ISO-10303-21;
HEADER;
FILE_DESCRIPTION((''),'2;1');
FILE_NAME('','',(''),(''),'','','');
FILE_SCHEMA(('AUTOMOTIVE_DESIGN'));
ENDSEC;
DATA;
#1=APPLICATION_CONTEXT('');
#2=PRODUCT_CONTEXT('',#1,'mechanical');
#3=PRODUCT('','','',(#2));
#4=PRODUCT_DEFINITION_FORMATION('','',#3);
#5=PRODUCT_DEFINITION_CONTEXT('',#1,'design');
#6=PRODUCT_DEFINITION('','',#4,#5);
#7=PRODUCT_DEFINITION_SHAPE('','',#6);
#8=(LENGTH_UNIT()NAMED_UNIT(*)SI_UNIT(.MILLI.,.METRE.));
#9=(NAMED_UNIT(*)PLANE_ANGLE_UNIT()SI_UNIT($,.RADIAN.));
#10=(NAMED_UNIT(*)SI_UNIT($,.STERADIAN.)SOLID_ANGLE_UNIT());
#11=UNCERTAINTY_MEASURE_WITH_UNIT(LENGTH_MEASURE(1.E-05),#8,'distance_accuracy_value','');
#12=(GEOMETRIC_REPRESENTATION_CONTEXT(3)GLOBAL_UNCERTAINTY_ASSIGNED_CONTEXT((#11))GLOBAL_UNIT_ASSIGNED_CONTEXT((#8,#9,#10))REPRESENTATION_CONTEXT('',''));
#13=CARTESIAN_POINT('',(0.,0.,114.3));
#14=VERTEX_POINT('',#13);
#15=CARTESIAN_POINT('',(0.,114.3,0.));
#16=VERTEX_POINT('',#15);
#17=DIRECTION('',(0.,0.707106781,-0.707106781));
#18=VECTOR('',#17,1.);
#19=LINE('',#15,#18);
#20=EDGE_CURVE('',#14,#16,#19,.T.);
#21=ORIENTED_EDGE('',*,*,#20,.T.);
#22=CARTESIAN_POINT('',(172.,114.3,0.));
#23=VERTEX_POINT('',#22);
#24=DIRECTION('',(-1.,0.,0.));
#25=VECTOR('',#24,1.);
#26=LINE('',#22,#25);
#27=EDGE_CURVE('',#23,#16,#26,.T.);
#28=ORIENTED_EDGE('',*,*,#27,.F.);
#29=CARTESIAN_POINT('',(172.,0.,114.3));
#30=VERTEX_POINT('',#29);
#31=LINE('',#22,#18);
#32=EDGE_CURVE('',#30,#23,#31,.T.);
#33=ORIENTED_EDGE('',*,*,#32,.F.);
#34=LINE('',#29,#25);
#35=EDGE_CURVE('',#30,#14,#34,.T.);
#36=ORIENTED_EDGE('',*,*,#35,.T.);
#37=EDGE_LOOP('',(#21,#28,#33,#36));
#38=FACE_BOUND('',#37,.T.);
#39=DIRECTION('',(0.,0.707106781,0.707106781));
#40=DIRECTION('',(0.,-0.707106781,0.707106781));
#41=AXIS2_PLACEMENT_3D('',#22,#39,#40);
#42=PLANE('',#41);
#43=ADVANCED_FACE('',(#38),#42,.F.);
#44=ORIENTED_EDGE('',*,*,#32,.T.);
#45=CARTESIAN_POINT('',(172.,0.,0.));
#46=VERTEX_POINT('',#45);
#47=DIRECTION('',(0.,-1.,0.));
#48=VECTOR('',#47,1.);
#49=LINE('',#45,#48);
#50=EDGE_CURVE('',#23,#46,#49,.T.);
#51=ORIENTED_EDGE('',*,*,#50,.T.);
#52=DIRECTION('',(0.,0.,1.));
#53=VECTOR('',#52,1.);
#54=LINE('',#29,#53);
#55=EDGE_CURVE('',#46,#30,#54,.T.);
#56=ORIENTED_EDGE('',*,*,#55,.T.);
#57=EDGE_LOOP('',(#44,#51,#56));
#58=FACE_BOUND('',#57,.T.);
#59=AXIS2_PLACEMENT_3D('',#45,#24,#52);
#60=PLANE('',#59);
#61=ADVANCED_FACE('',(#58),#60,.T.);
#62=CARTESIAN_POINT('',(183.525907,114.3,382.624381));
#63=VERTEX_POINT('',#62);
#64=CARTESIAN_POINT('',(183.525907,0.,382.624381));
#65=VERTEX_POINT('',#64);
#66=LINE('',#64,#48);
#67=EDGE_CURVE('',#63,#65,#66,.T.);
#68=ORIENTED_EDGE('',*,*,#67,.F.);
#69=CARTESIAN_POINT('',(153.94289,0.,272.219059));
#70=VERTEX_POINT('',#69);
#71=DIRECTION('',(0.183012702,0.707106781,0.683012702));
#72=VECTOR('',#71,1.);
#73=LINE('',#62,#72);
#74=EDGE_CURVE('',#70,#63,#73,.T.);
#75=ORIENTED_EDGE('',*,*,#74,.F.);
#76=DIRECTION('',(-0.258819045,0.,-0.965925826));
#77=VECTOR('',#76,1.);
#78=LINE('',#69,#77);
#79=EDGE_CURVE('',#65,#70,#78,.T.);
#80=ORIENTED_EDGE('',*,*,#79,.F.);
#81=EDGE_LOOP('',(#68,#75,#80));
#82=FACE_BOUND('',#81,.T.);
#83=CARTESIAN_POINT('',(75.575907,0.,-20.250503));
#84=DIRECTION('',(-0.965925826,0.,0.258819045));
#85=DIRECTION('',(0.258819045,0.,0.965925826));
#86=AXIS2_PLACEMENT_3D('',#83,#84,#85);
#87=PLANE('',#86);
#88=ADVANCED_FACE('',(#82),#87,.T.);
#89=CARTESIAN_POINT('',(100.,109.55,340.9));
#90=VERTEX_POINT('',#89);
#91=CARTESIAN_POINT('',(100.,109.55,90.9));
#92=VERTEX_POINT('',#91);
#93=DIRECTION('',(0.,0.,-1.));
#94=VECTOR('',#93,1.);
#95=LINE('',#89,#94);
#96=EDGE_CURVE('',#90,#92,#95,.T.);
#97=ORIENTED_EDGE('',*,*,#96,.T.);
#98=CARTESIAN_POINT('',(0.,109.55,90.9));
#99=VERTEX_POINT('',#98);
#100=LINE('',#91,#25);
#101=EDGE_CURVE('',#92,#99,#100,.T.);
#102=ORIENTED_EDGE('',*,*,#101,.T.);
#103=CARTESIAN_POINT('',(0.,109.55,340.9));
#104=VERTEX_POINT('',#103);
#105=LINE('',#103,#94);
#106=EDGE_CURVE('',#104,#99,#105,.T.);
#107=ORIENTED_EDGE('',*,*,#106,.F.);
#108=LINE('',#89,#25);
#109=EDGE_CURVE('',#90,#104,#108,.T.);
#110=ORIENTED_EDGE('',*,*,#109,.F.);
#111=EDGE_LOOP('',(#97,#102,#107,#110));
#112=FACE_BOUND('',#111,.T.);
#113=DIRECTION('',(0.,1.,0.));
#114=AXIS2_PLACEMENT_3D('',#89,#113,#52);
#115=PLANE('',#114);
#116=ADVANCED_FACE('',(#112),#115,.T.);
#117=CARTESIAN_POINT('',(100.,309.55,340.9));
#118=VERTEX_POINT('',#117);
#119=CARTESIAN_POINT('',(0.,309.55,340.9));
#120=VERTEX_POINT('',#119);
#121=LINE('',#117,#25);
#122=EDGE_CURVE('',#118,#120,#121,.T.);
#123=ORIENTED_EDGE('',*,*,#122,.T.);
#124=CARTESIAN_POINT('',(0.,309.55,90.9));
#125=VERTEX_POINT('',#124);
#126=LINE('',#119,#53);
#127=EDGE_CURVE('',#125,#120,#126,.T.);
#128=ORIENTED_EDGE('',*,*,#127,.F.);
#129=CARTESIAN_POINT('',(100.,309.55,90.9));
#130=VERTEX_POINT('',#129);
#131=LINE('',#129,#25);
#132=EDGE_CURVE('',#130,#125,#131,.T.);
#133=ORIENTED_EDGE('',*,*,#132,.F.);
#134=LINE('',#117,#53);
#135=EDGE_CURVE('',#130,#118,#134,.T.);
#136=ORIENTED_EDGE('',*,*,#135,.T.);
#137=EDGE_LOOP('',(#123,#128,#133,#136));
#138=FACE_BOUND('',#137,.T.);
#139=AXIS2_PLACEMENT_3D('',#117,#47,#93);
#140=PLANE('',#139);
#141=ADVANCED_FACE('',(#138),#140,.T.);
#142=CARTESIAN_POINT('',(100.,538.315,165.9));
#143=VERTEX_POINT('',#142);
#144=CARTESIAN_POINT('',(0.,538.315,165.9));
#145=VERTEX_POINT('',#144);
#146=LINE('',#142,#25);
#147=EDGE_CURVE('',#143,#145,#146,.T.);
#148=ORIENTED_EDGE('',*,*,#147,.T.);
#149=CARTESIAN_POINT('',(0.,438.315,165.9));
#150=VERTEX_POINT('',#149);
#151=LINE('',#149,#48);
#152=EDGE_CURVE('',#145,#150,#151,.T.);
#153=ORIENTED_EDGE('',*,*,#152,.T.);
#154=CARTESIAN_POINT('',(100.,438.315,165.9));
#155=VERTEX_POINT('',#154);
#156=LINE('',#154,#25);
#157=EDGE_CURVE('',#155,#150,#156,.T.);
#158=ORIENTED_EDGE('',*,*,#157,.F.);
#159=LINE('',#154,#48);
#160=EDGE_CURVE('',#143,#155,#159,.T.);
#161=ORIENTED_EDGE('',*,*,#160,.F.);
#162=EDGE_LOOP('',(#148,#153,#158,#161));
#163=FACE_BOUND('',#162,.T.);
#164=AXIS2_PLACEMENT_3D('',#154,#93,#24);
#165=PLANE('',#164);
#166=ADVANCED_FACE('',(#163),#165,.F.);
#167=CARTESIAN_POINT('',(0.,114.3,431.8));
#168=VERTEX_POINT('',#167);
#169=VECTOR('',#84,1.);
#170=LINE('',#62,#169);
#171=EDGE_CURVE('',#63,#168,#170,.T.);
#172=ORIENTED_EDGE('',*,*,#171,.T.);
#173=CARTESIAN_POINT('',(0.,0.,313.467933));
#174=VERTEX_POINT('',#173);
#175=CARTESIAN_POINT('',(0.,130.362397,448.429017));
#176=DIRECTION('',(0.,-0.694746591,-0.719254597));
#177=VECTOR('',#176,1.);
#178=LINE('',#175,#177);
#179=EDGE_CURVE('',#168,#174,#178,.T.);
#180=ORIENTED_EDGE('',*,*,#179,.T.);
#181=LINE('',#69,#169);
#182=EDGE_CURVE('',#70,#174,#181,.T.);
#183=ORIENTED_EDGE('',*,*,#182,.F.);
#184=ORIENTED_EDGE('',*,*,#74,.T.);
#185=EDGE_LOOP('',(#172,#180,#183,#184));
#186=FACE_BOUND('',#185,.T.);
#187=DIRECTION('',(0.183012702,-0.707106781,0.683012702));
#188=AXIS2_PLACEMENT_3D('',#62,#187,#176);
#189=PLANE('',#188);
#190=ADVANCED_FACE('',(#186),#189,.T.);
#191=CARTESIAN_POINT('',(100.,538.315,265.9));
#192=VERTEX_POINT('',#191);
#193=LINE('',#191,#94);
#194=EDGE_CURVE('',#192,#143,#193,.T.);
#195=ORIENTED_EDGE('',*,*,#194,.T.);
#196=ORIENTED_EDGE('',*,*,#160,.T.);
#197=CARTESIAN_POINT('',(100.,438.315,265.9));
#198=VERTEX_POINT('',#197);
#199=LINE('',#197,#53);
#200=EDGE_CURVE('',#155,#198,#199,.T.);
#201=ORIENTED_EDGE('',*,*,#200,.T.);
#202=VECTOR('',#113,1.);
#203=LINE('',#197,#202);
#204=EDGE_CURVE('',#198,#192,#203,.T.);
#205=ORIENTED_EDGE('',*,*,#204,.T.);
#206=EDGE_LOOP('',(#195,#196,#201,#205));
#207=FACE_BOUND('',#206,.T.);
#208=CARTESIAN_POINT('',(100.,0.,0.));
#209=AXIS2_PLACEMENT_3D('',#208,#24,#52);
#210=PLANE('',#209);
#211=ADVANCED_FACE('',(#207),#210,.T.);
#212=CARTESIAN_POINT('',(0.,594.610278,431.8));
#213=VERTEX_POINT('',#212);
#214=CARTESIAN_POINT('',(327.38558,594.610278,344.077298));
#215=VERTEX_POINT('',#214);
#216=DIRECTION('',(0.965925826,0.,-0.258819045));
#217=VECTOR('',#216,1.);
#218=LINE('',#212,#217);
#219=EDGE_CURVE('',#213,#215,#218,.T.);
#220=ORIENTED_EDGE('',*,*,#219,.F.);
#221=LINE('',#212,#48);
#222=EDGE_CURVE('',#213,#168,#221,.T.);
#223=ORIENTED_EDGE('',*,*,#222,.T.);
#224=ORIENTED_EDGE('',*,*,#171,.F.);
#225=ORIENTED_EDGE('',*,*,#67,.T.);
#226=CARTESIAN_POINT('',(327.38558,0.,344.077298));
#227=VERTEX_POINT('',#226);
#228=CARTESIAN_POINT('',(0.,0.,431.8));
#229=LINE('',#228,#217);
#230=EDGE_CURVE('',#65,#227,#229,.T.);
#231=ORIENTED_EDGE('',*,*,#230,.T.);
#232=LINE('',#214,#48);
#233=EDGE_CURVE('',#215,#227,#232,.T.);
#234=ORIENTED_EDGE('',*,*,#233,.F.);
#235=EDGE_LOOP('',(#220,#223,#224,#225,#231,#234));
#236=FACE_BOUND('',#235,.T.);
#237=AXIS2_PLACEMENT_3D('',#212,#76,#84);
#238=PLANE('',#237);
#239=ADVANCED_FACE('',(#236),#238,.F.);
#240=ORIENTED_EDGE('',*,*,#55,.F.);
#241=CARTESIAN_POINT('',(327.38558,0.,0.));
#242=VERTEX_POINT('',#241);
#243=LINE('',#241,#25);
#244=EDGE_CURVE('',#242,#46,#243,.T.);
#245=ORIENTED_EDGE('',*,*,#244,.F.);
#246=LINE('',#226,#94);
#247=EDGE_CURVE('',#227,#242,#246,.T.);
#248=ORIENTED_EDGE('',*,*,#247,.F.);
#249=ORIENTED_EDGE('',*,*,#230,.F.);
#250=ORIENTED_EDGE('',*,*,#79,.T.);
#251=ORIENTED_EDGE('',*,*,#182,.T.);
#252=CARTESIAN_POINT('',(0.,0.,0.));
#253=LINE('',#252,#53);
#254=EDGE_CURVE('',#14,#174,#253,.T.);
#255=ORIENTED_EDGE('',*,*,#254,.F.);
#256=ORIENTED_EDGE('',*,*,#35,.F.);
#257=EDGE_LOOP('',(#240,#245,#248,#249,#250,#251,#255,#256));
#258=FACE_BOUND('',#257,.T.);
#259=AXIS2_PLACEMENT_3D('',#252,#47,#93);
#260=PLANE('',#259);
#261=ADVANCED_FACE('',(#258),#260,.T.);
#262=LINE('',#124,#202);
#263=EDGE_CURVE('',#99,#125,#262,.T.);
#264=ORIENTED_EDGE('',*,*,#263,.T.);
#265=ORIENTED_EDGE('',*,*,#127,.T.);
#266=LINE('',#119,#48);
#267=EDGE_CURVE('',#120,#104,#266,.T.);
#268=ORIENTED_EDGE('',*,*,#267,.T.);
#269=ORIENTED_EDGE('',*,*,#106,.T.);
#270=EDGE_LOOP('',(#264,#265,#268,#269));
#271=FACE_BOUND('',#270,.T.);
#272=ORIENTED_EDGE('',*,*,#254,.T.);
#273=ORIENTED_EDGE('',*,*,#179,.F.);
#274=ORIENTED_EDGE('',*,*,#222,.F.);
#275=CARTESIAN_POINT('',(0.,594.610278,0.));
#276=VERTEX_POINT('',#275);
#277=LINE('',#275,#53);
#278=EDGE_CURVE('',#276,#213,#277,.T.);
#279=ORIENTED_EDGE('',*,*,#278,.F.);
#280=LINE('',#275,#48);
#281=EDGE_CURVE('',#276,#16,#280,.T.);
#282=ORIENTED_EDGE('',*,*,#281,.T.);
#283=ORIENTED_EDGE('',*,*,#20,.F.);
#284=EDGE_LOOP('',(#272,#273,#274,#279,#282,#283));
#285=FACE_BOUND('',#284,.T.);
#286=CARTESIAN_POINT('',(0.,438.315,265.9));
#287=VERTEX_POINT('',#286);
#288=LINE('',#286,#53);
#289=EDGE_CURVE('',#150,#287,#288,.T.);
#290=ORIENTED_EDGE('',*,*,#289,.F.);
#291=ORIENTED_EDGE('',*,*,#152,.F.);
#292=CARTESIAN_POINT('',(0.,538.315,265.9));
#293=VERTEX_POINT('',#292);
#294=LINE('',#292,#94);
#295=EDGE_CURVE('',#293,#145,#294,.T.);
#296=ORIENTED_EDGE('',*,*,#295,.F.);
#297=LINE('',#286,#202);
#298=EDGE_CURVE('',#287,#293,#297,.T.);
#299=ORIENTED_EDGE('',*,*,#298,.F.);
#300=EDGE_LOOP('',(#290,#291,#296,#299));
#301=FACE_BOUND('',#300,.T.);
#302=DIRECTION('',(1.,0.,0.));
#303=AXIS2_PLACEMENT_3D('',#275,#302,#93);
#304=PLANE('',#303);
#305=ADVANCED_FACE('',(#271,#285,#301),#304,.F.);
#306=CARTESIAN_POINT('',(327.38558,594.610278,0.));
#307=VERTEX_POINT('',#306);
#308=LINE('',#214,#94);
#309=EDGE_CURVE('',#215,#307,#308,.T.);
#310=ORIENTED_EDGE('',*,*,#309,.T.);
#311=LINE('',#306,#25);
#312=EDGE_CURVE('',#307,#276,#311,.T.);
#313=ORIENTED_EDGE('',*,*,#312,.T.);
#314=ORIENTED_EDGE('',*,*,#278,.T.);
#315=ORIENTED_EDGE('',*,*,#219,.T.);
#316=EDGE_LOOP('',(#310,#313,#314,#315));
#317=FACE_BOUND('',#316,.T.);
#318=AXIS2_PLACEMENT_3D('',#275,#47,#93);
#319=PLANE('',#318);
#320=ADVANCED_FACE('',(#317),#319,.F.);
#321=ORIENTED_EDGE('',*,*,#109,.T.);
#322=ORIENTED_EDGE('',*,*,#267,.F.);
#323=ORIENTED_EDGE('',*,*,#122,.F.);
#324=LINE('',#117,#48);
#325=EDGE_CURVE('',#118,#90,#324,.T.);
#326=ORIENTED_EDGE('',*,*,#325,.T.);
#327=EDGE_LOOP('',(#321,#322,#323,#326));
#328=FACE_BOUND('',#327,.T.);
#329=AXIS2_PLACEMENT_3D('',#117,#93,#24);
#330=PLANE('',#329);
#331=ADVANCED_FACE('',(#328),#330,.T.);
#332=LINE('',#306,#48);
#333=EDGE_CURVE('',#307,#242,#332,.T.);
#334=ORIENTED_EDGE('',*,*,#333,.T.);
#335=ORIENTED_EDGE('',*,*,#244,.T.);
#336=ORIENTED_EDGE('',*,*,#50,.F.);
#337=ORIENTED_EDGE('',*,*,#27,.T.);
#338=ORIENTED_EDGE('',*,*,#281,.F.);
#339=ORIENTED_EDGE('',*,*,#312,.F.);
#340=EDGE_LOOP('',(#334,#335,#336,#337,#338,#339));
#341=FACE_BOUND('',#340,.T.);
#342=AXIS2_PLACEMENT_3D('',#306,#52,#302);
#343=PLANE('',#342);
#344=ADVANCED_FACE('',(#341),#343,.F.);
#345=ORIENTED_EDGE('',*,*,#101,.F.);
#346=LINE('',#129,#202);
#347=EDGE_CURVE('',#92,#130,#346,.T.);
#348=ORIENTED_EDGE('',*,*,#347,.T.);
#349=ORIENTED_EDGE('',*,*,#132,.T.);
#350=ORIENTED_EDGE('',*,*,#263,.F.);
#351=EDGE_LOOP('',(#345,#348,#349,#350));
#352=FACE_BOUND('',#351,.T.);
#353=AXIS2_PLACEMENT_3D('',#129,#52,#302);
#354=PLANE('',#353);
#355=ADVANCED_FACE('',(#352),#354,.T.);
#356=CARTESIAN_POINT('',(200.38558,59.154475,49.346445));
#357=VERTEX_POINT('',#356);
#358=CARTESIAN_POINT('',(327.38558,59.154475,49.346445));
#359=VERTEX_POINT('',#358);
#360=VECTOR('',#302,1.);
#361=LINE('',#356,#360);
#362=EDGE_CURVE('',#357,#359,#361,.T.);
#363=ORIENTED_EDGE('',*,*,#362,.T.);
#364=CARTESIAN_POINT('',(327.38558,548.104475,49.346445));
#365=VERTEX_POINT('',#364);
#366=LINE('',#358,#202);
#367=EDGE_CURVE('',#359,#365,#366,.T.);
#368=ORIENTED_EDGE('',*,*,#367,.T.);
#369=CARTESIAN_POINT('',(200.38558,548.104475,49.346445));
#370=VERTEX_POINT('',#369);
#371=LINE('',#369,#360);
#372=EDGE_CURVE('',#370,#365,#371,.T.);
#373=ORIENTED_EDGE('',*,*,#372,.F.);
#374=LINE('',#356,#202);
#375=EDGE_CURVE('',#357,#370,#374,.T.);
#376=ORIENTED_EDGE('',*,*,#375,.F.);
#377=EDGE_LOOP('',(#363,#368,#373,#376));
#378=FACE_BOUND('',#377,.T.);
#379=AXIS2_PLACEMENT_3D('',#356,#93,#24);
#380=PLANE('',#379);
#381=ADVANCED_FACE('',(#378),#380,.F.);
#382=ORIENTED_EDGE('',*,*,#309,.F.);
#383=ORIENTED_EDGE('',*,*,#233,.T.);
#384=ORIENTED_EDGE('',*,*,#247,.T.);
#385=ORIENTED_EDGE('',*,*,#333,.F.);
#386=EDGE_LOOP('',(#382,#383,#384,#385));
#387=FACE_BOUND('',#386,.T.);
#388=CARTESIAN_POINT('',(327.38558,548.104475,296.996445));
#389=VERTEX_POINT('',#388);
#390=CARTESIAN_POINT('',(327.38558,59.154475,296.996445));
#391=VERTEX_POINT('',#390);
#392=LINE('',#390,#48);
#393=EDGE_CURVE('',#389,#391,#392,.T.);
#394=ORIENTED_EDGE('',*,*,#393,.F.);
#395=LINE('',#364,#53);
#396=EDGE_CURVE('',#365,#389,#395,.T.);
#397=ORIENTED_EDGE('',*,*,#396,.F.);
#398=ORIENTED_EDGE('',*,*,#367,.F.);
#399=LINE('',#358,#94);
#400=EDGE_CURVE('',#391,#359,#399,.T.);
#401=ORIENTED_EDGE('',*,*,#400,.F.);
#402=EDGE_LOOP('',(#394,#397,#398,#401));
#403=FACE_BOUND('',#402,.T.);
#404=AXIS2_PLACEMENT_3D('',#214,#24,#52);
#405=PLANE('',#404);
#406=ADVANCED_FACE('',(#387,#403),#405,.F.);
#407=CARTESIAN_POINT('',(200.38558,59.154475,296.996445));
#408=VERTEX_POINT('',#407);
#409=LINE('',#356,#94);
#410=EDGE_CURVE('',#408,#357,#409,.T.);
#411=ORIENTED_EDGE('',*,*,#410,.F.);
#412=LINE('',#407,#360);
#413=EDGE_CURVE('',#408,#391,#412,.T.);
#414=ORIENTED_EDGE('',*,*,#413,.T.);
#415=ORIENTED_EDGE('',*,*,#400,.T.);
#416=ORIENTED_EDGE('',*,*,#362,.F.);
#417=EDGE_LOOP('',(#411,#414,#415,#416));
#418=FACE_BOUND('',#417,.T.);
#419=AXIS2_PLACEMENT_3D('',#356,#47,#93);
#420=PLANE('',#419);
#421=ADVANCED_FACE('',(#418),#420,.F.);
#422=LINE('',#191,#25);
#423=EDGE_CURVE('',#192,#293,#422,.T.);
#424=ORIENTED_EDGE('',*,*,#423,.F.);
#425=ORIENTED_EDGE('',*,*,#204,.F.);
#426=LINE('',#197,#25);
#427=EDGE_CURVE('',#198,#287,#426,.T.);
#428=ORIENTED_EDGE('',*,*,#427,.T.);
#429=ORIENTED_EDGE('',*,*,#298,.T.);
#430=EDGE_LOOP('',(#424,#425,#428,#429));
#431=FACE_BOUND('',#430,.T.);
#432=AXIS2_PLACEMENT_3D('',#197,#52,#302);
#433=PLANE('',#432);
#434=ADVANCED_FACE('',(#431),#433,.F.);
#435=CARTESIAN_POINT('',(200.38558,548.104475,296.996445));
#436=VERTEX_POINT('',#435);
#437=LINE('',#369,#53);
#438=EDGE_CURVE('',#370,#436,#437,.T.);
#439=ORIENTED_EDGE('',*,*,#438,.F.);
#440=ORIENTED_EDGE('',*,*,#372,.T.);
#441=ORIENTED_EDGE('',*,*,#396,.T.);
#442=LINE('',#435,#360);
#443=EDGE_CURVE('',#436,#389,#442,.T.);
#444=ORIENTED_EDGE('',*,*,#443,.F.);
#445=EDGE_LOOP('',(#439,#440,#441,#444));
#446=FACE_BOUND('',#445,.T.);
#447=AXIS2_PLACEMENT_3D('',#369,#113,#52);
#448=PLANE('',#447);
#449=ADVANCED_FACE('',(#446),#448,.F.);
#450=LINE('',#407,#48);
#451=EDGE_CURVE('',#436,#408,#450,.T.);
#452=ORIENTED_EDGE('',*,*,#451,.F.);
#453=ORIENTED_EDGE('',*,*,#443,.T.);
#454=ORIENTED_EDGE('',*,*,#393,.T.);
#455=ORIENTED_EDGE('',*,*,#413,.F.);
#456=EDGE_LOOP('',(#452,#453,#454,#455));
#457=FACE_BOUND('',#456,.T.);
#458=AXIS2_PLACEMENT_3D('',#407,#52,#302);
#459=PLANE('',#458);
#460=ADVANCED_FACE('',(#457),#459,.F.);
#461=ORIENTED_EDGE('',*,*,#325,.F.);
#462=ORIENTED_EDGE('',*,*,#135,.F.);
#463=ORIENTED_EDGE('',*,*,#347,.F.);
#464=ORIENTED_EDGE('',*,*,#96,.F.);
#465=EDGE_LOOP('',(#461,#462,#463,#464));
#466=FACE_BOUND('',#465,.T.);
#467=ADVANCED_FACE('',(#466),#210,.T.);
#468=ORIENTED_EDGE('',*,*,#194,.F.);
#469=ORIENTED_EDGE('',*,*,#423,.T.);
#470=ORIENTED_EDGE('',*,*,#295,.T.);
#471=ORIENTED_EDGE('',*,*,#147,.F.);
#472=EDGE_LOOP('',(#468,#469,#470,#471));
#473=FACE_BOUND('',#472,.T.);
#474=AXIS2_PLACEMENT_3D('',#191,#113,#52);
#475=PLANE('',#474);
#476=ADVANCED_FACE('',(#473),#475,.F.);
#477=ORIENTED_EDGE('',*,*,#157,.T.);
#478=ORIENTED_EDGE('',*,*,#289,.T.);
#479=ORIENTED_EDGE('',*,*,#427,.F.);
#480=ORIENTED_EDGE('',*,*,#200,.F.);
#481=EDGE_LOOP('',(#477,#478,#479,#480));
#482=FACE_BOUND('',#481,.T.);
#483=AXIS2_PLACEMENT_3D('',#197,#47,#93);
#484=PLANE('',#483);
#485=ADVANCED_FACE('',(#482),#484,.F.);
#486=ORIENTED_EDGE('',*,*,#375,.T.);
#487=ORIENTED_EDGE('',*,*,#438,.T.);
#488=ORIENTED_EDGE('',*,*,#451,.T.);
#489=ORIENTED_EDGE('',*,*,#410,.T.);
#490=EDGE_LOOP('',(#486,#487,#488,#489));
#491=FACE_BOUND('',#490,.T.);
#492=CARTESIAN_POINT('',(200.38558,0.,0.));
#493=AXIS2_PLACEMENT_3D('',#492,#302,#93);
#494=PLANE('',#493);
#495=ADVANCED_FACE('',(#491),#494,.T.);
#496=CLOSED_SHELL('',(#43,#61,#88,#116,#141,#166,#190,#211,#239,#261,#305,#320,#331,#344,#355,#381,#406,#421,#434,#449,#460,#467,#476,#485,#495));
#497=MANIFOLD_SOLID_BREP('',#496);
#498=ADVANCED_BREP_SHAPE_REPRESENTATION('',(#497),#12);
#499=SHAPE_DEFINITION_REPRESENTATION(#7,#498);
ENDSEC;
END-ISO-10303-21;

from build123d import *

# Parameters (mm, degrees)
BOSS_EXTRUDE1_DEPTH = 594.610278
SKETCH3_W           = 247.65
SKETCH3_H           = 488.95
CUT_EXTRUDE1_DEPTH  = 127
SKETCH4_W           = 200
SKETCH4_H           = 250
CUT_EXTRUDE2_DEPTH  = 100
SKETCH5_W           = 100
SKETCH5_H           = 100
CUT_EXTRUDE3_DEPTH  = 100
CUT_EXTRUDE4_DEPTH  = 172
CUT_EXTRUDE5_DEPTH  = 190


with BuildPart() as part:
    # Sketch2 → Boss-Extrude1 (new body)
    with BuildSketch(Plane(origin=(0, 0, 0), x_dir=(1, 0, 0), z_dir=(0, 1, 0))):
        Polygon((0, -431.8), (327.385580216, -344.077298168), (327.385580216, 0), (0, 0), align=None)
    extrude(amount=BOSS_EXTRUDE1_DEPTH)

    # Sketch3 → Cut-Extrude1 (cut)
    with BuildSketch(Plane(origin=(327.385580216, 0, 0), x_dir=(0, 0, -1), z_dir=(1, 0, 0))):
        with Locations((-173.171445322, 303.629475409)):
            Rectangle(SKETCH3_W, SKETCH3_H)
    extrude(amount=-CUT_EXTRUDE1_DEPTH, mode=Mode.SUBTRACT)

    # Sketch4 → Cut-Extrude2 (cut)
    with BuildSketch(Plane(origin=(0, 0, 0), x_dir=(0, -1, 0), z_dir=(1, 0, 0))):
        with Locations((-209.55, -215.9)):
            Rectangle(SKETCH4_W, SKETCH4_H)
    extrude(amount=CUT_EXTRUDE2_DEPTH, mode=Mode.SUBTRACT)

    # Sketch5 → Cut-Extrude3 (cut)
    with BuildSketch(Plane.ZY):
        with Locations((215.9, 488.315)):
            Rectangle(SKETCH5_W, SKETCH5_H)
    extrude(amount=-CUT_EXTRUDE3_DEPTH, mode=Mode.SUBTRACT)

    # Sketch6 → Cut-Extrude4 (cut)
    with BuildSketch(Plane.ZY):
        Polygon((0, 114.3), (114.3, 0), (0, 0), align=None)
    extrude(amount=-CUT_EXTRUDE4_DEPTH, mode=Mode.SUBTRACT)

    # Sketch7 → Cut-Extrude5 (cut)
    with BuildSketch(Plane(origin=(-107.95, 0, 28.925115323), x_dir=(0, 1, 0), z_dir=(0.9659258262890691, 0, -0.258819045102518))):
        Polygon((0, 417.086771792), (114.3, 417.086771792), (0, 302.786771792), align=None)
    extrude(amount=CUT_EXTRUDE5_DEPTH, mode=Mode.SUBTRACT)


solid = part.part
